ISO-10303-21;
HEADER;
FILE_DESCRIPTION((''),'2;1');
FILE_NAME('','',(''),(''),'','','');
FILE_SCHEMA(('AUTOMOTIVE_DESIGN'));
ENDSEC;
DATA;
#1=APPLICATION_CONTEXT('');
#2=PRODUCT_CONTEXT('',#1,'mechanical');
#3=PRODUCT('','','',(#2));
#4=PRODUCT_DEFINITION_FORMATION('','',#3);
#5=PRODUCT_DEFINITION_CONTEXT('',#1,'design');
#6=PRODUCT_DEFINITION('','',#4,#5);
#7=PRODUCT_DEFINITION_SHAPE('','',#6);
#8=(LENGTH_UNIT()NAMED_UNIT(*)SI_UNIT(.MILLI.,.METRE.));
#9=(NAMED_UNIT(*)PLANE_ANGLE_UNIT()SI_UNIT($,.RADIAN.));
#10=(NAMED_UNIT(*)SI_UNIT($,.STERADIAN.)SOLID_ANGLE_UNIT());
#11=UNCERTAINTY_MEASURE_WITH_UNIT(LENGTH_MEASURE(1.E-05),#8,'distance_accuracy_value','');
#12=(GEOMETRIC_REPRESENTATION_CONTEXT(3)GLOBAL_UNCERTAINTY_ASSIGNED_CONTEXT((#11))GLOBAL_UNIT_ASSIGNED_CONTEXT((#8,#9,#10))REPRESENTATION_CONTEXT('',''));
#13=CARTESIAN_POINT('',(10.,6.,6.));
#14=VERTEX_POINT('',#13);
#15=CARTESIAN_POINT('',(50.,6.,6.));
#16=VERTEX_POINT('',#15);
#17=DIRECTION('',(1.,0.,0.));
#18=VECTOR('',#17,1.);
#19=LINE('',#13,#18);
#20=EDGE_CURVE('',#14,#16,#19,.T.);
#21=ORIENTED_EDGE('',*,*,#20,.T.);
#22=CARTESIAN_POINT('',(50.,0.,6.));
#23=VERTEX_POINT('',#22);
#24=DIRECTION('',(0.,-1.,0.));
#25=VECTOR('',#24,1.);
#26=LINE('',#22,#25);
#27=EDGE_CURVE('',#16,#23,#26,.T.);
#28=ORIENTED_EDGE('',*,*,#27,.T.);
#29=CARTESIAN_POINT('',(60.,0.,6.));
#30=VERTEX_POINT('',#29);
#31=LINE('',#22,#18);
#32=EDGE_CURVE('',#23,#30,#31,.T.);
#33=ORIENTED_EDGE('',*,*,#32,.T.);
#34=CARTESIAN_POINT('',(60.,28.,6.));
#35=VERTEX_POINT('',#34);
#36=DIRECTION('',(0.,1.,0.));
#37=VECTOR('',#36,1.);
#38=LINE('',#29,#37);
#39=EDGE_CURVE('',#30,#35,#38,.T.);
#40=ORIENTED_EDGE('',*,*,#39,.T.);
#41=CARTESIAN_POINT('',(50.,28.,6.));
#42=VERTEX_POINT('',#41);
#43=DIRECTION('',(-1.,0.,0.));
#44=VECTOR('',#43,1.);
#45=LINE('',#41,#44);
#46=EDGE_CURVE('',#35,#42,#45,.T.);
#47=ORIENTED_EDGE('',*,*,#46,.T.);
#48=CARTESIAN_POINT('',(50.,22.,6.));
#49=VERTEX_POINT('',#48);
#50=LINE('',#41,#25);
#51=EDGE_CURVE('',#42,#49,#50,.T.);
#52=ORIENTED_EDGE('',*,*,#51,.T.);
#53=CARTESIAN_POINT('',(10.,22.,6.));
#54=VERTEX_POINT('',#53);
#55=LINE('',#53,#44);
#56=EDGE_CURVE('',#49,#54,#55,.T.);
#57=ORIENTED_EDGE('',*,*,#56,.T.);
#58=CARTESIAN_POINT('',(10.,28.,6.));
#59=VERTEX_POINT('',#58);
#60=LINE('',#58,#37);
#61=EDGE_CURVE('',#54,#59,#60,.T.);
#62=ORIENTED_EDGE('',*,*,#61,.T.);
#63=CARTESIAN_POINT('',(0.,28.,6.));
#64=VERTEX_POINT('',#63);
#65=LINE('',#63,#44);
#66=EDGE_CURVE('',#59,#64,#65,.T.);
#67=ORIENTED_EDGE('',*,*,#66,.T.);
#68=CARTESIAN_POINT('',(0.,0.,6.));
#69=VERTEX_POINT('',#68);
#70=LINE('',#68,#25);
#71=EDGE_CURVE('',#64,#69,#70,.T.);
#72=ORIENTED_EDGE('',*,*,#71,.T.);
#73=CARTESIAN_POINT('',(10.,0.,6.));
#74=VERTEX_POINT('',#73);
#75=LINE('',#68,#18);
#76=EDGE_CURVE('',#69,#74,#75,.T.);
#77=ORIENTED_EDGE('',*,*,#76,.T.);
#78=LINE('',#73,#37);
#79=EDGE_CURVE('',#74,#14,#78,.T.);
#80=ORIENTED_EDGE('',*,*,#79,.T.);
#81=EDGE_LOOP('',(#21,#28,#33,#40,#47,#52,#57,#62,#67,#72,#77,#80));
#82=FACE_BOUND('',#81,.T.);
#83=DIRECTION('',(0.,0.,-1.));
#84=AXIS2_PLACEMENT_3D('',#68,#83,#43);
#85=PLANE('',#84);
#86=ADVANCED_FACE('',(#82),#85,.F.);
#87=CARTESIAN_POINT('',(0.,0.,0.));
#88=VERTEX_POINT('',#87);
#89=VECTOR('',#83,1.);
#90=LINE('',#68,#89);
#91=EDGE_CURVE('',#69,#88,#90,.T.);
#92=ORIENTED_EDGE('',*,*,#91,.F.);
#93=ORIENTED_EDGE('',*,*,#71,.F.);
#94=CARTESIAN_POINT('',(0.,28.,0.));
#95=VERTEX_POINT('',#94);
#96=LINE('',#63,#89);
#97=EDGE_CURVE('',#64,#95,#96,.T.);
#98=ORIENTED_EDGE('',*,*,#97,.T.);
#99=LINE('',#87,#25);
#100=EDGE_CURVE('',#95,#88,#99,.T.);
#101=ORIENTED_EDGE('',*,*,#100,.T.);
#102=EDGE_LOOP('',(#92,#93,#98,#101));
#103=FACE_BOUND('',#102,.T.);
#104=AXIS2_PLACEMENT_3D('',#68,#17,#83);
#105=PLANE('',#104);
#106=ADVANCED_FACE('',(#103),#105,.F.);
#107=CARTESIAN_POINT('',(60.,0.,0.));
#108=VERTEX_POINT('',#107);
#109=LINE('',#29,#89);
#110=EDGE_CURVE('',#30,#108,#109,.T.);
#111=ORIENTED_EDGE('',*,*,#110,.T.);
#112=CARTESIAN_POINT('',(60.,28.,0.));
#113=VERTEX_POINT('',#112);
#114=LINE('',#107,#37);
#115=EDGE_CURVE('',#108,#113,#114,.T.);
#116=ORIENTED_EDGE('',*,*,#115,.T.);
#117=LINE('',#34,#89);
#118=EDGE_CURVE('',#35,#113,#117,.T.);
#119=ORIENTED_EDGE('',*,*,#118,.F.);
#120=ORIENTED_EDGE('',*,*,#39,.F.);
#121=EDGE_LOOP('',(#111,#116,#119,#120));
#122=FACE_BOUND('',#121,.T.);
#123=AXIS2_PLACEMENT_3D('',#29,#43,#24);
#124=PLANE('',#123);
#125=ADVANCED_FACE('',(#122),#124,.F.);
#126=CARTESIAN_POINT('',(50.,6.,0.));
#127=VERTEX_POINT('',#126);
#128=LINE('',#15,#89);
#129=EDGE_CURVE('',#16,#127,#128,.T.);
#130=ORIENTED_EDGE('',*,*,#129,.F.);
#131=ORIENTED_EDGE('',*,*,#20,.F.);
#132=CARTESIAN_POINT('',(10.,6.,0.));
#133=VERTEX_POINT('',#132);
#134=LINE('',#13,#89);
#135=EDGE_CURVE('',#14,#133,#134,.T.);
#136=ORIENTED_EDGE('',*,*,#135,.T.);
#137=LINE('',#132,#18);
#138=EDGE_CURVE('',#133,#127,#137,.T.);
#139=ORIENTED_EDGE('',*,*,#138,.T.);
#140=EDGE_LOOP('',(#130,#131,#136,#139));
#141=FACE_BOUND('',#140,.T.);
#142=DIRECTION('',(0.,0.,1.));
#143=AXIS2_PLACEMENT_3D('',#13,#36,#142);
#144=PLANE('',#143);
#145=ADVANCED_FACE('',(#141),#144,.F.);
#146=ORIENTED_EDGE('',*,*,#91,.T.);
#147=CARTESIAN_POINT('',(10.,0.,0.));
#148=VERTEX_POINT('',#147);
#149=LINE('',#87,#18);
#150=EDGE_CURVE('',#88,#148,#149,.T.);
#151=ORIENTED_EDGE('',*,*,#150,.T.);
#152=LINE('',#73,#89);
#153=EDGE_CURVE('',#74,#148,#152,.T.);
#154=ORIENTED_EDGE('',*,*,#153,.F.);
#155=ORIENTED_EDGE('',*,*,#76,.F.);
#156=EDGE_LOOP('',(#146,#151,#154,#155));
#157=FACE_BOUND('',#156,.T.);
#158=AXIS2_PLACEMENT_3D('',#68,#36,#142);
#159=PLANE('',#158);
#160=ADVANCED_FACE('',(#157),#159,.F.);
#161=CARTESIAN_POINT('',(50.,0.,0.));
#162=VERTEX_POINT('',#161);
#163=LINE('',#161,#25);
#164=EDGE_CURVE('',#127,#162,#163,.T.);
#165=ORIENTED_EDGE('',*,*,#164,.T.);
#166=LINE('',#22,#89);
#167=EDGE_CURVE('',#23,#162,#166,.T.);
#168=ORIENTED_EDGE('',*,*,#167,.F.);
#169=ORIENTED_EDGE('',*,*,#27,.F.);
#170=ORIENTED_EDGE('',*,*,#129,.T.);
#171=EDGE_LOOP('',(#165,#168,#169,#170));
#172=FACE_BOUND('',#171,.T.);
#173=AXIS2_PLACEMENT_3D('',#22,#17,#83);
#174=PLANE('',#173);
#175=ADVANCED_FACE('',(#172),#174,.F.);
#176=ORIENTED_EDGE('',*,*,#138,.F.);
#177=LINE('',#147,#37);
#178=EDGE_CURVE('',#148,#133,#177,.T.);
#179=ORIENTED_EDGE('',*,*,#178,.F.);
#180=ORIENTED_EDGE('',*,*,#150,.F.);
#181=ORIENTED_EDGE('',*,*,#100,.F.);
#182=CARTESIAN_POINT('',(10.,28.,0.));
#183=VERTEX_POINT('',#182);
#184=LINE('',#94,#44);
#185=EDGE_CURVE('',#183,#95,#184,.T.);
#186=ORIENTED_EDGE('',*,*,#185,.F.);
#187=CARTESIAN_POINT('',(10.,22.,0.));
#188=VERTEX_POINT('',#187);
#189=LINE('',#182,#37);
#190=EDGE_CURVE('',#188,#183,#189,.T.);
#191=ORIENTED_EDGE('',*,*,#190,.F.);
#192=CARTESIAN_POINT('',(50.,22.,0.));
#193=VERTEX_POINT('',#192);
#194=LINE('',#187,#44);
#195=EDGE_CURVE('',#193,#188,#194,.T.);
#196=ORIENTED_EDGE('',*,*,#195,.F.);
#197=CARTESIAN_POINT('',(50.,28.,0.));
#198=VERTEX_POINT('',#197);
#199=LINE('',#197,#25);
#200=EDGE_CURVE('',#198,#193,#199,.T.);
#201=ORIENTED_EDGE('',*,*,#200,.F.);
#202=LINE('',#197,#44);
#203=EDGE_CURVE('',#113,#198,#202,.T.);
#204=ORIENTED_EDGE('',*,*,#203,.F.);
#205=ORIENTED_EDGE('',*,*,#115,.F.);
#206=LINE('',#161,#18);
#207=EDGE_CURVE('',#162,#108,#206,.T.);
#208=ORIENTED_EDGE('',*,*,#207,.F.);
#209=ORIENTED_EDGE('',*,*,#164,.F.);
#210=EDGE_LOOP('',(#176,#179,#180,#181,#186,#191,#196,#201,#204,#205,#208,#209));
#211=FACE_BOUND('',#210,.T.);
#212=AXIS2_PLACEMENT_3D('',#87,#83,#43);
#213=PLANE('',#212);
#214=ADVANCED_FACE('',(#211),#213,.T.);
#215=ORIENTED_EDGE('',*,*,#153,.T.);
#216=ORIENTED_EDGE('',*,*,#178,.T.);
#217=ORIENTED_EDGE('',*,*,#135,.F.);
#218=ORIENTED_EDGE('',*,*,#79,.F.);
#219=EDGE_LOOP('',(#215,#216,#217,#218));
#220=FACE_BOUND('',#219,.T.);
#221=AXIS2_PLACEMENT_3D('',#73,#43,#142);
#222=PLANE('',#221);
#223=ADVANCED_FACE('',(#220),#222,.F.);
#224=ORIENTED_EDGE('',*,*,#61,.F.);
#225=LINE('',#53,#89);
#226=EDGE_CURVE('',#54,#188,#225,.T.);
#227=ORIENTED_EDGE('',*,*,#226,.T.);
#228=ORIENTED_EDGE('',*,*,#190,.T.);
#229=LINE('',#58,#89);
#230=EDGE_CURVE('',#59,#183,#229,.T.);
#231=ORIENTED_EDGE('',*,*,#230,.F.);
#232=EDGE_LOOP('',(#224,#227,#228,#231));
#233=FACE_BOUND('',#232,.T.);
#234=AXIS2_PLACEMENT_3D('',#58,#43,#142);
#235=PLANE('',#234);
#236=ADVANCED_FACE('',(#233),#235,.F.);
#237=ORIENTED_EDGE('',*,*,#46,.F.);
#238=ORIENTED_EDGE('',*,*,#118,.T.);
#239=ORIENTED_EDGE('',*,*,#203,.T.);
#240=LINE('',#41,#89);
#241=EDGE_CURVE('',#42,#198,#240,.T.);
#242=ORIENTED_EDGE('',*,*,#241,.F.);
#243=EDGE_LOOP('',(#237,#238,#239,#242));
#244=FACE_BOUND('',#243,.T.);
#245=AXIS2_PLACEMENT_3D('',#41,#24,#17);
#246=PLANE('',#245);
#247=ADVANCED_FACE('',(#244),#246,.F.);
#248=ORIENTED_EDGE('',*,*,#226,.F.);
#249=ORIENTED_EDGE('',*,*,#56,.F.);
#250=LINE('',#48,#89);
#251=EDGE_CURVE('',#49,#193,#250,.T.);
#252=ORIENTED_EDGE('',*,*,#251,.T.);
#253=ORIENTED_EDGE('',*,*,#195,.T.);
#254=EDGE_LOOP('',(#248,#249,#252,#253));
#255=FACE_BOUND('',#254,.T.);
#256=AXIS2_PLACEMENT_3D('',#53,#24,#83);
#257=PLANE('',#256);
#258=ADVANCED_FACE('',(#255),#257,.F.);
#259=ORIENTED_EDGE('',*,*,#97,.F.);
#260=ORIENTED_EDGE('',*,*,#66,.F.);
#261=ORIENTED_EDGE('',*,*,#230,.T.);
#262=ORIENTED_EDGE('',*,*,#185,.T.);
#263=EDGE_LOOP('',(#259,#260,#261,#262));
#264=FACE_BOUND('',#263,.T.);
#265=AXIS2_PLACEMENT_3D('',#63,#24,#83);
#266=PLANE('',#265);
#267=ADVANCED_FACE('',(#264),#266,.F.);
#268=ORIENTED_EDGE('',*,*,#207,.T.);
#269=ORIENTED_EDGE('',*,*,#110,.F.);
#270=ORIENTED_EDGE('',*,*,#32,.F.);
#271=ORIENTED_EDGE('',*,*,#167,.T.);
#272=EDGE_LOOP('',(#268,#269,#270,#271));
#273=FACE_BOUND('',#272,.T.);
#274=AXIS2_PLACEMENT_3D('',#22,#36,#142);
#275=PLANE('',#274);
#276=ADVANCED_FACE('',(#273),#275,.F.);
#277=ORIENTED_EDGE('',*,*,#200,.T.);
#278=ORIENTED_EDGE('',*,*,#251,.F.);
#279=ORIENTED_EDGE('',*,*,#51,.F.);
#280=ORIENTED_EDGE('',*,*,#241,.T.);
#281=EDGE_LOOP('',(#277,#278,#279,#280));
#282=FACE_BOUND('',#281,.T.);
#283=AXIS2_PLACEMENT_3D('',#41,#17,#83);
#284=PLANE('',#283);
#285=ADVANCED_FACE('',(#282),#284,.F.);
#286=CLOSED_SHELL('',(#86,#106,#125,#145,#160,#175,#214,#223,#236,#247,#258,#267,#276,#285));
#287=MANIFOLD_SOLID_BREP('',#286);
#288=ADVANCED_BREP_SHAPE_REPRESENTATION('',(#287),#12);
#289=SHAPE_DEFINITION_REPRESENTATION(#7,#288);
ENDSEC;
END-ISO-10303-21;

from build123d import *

# Parameters (mm, degrees)
BOSS_EXTRUDE1_DEPTH = 6


with BuildPart() as part:
    # Sketch1 → Boss-Extrude1 (new body)
    with BuildSketch(Plane.XY):
        Polygon((0, 0), (10, 0), (10, 6), (50, 6), (50, 0), (60, 0), (60, 28), (50, 28), (50, 22), (10, 22), (10, 28), (0, 28), align=None)
    extrude(amount=BOSS_EXTRUDE1_DEPTH)


solid = part.part
